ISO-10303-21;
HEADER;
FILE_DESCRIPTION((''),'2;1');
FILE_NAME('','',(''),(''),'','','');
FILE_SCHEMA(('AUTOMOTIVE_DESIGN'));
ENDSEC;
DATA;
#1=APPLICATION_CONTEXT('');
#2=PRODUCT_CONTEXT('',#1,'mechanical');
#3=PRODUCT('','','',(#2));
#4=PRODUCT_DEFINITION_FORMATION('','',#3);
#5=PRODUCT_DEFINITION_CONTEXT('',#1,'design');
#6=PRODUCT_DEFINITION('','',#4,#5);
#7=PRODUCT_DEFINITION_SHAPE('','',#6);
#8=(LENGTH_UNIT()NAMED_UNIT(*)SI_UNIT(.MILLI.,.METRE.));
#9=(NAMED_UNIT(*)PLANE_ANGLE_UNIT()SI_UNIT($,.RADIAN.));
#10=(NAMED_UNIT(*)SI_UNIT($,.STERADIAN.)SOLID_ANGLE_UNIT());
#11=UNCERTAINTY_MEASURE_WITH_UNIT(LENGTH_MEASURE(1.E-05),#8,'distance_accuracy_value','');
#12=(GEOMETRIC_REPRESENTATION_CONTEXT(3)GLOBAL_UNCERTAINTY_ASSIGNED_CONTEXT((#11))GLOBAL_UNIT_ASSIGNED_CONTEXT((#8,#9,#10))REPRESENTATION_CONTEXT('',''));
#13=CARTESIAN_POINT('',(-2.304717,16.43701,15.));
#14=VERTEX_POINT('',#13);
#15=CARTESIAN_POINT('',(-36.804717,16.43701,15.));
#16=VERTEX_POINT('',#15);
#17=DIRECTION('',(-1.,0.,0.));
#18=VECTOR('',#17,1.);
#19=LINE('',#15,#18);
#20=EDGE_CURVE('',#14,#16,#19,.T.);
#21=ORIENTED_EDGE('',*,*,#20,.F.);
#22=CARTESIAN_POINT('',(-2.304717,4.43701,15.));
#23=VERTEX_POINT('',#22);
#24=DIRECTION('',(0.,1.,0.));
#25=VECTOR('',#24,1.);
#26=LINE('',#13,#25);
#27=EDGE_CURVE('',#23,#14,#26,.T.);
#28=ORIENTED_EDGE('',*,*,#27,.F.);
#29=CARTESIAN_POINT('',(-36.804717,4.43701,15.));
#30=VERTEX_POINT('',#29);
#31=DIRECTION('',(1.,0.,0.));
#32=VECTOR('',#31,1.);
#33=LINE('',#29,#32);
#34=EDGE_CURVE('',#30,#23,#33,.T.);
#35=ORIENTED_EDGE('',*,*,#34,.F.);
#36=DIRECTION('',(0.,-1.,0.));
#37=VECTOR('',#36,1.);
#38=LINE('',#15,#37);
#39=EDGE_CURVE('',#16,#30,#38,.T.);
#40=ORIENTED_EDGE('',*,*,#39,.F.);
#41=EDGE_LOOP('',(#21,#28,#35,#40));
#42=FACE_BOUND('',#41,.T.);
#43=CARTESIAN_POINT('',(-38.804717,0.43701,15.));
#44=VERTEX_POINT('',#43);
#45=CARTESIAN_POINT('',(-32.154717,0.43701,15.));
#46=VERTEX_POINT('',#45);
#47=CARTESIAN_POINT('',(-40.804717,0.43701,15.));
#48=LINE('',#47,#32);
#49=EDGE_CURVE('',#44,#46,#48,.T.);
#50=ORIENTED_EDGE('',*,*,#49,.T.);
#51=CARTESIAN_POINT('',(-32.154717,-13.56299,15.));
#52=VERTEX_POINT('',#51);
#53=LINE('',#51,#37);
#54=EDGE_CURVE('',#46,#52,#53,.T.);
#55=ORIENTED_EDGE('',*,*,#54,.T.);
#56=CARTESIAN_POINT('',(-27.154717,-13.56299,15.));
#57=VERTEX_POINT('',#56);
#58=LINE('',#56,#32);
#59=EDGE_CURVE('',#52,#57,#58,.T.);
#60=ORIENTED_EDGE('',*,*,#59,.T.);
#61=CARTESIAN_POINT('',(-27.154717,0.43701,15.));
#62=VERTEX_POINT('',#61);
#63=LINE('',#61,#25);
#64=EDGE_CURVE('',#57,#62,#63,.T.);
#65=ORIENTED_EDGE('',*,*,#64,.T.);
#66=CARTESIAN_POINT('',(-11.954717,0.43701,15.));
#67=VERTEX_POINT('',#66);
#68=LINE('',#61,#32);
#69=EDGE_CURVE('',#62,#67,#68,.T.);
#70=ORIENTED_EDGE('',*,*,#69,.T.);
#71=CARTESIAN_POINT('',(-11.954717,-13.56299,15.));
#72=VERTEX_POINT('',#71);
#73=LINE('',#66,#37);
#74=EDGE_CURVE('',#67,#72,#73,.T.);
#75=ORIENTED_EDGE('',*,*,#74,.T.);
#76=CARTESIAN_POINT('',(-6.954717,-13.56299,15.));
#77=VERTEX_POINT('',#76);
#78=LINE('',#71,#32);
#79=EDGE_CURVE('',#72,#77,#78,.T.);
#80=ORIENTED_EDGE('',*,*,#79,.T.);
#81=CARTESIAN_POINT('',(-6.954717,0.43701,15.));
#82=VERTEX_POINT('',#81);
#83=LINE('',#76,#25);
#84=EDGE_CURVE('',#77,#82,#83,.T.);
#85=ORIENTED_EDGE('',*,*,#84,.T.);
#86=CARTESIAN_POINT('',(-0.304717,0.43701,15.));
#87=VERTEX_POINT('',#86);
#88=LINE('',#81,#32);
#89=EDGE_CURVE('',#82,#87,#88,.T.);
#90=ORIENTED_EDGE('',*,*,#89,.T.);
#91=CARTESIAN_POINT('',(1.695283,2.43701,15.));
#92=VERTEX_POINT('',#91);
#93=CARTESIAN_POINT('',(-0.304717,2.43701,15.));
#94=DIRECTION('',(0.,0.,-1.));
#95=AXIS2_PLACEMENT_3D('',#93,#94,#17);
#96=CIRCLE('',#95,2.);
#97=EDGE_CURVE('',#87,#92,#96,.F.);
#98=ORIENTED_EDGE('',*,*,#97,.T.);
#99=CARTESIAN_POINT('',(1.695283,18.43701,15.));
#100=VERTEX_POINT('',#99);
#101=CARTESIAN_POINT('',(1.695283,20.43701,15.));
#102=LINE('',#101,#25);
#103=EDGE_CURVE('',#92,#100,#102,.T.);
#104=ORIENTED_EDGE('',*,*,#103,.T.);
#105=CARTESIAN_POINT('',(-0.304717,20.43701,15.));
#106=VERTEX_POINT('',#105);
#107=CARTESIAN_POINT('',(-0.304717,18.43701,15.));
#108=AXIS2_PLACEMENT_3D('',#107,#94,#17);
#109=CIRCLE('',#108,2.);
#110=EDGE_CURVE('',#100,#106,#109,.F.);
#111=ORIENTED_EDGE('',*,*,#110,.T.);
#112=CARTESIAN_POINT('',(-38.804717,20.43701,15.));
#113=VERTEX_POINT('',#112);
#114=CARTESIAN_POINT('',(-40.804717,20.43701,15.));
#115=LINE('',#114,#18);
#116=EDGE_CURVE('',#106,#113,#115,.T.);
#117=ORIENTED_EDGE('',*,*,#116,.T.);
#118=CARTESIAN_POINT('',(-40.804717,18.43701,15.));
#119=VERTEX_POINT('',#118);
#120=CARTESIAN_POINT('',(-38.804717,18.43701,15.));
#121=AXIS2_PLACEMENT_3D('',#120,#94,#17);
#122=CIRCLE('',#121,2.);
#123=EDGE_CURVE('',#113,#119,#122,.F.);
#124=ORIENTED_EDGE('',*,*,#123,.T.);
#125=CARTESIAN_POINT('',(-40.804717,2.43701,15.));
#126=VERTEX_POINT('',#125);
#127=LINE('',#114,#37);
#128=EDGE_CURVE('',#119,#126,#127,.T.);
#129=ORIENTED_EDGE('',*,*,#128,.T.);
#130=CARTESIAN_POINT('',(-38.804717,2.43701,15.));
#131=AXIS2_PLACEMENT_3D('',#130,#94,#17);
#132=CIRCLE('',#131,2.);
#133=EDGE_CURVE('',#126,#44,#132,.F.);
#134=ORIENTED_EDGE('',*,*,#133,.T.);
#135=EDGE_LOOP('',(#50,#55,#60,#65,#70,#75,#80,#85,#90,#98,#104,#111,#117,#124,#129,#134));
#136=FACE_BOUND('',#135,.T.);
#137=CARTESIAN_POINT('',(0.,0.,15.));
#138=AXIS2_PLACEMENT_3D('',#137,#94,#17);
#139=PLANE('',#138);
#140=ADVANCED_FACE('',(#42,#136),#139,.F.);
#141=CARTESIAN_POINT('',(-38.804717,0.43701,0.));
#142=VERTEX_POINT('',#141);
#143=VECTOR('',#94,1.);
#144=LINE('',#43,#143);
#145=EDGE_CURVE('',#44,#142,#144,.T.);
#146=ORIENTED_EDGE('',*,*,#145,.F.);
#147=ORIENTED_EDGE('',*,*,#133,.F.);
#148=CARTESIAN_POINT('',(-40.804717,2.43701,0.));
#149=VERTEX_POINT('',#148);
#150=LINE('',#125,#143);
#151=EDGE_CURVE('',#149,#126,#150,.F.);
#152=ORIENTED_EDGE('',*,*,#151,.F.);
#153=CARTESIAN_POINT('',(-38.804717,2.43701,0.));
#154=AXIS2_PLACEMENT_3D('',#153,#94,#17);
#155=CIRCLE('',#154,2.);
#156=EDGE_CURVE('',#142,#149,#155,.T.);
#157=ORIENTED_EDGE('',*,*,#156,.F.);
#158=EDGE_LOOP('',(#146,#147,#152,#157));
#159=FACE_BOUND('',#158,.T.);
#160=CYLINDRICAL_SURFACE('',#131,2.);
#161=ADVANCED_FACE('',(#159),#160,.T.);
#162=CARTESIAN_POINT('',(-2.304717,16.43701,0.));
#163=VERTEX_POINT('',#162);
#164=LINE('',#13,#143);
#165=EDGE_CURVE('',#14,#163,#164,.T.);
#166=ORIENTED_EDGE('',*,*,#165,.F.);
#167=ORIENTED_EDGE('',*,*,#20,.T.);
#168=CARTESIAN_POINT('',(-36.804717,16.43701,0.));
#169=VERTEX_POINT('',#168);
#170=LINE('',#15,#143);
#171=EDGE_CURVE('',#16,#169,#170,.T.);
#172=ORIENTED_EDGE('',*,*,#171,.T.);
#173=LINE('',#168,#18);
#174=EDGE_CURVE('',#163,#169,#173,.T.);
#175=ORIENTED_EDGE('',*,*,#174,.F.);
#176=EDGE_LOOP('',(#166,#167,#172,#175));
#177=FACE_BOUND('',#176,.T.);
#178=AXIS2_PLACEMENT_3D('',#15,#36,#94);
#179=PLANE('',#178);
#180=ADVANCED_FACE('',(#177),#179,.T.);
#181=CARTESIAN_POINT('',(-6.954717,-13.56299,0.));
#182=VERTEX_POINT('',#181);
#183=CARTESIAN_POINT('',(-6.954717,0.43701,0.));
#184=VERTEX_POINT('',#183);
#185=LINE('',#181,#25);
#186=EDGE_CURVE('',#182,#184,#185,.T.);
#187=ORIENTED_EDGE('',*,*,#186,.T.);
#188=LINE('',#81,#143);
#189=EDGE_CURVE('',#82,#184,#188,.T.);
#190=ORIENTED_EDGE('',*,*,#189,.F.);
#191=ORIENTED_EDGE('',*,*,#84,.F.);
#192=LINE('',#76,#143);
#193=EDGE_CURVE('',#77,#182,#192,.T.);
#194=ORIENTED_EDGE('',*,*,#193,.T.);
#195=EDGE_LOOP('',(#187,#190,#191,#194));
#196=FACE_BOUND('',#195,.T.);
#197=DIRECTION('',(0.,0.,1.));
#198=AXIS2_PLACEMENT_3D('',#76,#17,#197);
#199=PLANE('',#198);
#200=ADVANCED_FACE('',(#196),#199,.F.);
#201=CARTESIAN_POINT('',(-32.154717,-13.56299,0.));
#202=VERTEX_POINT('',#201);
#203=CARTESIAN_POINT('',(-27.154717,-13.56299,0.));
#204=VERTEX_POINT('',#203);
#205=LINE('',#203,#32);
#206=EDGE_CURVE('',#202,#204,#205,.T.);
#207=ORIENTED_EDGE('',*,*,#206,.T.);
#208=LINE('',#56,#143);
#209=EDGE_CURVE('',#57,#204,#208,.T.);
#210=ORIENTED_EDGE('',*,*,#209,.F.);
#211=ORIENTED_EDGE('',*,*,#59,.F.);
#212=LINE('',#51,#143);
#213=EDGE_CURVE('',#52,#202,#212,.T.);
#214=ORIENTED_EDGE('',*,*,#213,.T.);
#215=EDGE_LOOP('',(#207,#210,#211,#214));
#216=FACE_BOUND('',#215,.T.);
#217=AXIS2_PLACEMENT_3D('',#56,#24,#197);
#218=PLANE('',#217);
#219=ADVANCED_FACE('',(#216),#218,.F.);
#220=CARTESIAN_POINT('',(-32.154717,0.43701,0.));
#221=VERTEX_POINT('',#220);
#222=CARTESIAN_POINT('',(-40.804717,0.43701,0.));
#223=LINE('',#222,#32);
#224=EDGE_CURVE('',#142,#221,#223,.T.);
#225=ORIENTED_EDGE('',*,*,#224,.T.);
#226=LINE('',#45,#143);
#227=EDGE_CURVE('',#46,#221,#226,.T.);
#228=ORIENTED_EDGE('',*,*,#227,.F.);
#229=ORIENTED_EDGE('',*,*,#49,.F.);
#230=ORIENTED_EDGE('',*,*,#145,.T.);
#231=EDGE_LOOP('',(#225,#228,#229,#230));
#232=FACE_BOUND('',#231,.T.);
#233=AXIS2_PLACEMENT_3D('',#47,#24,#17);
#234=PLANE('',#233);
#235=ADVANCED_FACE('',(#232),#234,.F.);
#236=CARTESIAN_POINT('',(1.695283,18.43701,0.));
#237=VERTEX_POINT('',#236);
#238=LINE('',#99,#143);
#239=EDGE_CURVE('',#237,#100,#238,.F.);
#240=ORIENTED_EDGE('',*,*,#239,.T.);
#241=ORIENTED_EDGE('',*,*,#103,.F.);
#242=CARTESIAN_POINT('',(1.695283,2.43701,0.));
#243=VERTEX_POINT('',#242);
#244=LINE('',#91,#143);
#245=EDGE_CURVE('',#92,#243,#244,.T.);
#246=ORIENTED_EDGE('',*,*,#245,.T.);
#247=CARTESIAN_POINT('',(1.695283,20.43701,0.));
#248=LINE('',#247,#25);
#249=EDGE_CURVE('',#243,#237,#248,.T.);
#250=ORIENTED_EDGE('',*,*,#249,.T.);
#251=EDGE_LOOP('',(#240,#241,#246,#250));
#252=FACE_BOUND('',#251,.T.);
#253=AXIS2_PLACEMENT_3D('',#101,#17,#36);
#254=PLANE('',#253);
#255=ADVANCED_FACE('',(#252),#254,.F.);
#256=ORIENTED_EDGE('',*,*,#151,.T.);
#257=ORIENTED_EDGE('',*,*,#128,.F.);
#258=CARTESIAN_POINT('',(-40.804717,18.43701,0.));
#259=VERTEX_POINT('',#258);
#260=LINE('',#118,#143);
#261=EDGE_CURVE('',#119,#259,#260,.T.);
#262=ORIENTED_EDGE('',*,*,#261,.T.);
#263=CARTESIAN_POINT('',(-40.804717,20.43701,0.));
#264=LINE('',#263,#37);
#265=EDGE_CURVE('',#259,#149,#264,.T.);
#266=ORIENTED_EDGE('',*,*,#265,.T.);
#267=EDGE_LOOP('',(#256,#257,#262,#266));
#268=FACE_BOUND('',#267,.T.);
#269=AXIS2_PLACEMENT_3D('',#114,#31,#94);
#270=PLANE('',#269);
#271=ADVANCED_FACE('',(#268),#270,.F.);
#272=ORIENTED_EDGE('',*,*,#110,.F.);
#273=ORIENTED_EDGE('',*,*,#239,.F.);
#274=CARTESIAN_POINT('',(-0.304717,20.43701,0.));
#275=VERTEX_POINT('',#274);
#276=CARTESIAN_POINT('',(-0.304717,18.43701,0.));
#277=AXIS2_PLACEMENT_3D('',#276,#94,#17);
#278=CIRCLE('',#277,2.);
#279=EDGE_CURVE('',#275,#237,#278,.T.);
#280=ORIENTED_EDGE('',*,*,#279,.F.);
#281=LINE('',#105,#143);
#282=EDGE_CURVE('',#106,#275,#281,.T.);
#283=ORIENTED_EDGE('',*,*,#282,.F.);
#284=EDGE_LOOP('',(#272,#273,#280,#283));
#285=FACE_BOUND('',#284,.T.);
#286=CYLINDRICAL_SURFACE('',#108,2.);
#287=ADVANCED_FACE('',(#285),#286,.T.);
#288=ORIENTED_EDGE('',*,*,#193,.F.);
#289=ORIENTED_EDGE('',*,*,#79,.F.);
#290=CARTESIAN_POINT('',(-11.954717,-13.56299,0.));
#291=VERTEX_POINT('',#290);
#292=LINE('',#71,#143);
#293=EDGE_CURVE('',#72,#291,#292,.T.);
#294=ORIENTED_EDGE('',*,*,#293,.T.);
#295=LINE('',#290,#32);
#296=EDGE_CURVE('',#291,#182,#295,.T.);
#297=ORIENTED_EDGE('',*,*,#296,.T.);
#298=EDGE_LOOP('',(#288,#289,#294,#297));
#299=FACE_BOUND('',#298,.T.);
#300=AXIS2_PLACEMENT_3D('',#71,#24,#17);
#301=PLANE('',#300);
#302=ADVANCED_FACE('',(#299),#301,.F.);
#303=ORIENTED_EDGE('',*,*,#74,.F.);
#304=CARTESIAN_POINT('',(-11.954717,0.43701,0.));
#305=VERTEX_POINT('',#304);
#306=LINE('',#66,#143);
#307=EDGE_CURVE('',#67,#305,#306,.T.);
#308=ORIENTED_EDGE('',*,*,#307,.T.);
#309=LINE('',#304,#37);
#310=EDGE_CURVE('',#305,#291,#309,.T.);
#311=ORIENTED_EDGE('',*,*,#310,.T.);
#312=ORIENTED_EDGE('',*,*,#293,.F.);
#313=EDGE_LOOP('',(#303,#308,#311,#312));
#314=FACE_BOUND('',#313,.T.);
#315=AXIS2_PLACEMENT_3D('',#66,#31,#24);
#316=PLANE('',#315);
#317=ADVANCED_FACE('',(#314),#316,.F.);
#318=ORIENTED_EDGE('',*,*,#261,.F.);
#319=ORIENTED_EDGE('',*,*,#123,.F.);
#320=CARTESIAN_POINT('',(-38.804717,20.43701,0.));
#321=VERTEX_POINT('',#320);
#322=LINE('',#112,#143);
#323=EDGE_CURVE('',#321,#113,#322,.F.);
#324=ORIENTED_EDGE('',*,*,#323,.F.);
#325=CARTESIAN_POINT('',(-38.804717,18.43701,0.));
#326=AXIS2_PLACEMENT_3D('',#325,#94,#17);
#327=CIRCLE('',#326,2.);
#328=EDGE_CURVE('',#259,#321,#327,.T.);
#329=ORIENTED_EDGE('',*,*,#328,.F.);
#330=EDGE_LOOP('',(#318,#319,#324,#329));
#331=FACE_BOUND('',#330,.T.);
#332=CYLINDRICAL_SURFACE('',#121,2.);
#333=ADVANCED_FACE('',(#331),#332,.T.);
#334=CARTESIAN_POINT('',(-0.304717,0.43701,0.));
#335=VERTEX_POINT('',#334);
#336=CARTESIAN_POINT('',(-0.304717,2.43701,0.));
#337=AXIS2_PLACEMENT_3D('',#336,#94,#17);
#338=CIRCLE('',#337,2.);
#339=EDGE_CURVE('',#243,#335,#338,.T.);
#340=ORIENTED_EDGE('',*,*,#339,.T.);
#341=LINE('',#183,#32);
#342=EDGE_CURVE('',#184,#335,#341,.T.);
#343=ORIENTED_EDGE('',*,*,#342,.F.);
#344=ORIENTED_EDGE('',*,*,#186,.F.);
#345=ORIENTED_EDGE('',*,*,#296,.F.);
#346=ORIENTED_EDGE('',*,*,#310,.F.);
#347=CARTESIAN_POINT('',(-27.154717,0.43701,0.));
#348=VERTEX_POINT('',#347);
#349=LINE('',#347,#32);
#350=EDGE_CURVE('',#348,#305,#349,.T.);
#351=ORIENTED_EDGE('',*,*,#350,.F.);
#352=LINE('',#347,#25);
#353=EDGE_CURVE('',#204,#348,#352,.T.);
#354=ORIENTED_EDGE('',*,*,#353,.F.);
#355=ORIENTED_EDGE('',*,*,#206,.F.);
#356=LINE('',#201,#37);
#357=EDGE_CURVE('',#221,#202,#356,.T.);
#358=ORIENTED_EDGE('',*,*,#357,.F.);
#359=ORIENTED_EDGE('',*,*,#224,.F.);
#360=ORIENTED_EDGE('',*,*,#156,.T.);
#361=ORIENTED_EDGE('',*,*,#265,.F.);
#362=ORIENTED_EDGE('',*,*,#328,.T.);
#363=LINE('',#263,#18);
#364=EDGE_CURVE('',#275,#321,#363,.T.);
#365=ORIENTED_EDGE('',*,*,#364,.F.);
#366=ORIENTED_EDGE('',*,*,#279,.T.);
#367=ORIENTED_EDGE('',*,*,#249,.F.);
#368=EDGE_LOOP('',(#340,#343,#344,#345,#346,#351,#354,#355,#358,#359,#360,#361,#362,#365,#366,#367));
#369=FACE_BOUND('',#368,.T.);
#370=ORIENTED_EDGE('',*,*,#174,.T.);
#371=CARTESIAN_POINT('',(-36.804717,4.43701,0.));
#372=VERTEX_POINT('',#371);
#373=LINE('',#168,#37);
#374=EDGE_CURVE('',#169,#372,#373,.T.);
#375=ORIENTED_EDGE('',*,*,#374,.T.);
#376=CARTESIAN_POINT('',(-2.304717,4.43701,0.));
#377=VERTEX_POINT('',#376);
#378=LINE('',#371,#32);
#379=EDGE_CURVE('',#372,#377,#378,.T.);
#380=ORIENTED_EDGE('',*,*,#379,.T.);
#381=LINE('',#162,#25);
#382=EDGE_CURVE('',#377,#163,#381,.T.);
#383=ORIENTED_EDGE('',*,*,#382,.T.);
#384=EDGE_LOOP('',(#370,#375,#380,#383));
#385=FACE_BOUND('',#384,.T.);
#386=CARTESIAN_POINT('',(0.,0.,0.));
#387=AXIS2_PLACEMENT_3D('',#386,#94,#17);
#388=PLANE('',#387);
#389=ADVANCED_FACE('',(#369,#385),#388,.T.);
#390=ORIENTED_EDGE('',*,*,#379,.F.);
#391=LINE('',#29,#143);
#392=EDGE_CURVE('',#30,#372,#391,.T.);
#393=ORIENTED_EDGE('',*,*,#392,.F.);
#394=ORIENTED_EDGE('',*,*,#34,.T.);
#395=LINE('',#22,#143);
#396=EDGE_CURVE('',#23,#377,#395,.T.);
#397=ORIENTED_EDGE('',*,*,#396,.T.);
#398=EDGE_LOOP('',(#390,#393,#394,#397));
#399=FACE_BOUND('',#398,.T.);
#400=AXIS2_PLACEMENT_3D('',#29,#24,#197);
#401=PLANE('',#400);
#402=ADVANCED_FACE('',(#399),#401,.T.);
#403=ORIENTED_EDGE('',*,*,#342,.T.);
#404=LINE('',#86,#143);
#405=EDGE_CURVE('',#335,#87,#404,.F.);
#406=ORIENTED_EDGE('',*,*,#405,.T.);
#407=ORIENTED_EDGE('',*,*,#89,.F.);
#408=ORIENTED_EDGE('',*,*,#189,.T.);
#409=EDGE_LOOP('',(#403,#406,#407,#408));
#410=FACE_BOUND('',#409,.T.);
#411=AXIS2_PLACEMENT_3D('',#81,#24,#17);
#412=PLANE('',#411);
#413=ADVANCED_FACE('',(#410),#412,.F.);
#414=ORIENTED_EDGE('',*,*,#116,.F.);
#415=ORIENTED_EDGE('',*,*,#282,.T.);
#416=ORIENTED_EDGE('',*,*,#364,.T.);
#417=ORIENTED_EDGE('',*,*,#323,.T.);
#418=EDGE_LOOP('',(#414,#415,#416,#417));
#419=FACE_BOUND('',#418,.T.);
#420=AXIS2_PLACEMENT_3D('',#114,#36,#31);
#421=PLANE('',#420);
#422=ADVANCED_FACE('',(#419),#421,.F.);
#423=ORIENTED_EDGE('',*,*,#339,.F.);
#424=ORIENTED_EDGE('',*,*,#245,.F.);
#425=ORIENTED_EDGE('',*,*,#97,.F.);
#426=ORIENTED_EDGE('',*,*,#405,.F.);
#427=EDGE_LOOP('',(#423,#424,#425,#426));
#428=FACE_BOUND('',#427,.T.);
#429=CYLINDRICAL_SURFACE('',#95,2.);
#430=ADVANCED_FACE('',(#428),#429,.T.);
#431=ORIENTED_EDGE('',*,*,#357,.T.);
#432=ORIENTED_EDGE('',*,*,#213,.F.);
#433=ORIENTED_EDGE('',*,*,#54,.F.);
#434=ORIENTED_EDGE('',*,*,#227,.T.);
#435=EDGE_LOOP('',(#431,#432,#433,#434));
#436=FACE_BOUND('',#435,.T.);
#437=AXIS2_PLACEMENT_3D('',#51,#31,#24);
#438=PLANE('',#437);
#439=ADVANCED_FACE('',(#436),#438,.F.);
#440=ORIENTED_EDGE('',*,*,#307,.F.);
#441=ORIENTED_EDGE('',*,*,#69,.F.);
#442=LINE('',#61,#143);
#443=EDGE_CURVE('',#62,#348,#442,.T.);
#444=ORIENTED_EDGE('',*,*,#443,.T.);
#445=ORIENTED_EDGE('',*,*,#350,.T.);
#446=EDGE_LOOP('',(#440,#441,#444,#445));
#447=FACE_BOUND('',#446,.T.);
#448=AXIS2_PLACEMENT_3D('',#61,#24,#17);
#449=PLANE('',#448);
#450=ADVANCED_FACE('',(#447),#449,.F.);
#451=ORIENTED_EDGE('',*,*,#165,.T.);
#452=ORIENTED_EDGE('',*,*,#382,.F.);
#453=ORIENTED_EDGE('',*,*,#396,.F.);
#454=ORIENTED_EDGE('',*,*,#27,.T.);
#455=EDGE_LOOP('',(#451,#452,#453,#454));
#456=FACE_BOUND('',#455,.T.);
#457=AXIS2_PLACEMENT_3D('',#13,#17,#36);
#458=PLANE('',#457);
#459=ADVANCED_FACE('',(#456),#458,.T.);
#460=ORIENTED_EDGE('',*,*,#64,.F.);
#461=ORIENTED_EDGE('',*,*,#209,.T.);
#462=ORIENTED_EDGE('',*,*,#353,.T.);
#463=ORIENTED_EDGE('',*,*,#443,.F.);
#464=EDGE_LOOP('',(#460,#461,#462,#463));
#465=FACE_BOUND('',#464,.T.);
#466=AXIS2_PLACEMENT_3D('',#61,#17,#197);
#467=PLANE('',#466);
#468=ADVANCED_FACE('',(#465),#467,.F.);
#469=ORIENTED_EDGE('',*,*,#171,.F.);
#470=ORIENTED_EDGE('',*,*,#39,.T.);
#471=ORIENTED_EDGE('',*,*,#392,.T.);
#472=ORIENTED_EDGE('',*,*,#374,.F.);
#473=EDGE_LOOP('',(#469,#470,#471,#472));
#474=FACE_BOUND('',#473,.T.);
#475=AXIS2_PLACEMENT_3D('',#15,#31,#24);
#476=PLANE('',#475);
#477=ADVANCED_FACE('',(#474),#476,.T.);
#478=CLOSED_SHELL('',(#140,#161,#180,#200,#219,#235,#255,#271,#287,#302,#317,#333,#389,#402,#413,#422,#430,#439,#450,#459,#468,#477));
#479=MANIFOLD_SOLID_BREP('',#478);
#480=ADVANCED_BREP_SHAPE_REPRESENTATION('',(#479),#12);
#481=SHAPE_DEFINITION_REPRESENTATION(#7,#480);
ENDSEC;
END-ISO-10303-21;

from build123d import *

# Parameters (mm, degrees)
SKETCH1_W           = 34.5
SKETCH1_H           = 12
BOSS_EXTRUDE1_DEPTH = 15
FILLET1_R           = 2


with BuildPart() as part:
    # Sketch1 → Boss-Extrude1 (new body)
    with BuildSketch(Plane.XY):
        Polygon((-40.804717196, 20.437010324), (1.695282804, 20.437010324), (1.695282804, 0.437010324), (-6.954717196, 0.437010324), (-6.954717196, -13.562989676), (-11.954717196, -13.562989676), (-11.954717196, 0.437010324), (-27.154717196, 0.437010324), (-27.154717196, -13.562989676), (-32.154717196, -13.562989676), (-32.154717196, 0.437010324), (-40.804717196, 0.437010324), align=None)
        with Locations((-19.554717196, 10.437010324)):
            Rectangle(SKETCH1_W, SKETCH1_H, mode=Mode.SUBTRACT)
    extrude(amount=BOSS_EXTRUDE1_DEPTH)

    # Fillet1
    fillet1_edges = [part.edges().sort_by_distance(p)[0] for p in [
        (-40.804717196, 0.437010324, 7.5),
        (-40.804717196, 20.437010324, 7.5),
        (1.695282804, 20.437010324, 7.5),
        (1.695282804, 0.437010324, 7.5),
    ]]
    fillet(fillet1_edges, radius=FILLET1_R)


solid = part.part
